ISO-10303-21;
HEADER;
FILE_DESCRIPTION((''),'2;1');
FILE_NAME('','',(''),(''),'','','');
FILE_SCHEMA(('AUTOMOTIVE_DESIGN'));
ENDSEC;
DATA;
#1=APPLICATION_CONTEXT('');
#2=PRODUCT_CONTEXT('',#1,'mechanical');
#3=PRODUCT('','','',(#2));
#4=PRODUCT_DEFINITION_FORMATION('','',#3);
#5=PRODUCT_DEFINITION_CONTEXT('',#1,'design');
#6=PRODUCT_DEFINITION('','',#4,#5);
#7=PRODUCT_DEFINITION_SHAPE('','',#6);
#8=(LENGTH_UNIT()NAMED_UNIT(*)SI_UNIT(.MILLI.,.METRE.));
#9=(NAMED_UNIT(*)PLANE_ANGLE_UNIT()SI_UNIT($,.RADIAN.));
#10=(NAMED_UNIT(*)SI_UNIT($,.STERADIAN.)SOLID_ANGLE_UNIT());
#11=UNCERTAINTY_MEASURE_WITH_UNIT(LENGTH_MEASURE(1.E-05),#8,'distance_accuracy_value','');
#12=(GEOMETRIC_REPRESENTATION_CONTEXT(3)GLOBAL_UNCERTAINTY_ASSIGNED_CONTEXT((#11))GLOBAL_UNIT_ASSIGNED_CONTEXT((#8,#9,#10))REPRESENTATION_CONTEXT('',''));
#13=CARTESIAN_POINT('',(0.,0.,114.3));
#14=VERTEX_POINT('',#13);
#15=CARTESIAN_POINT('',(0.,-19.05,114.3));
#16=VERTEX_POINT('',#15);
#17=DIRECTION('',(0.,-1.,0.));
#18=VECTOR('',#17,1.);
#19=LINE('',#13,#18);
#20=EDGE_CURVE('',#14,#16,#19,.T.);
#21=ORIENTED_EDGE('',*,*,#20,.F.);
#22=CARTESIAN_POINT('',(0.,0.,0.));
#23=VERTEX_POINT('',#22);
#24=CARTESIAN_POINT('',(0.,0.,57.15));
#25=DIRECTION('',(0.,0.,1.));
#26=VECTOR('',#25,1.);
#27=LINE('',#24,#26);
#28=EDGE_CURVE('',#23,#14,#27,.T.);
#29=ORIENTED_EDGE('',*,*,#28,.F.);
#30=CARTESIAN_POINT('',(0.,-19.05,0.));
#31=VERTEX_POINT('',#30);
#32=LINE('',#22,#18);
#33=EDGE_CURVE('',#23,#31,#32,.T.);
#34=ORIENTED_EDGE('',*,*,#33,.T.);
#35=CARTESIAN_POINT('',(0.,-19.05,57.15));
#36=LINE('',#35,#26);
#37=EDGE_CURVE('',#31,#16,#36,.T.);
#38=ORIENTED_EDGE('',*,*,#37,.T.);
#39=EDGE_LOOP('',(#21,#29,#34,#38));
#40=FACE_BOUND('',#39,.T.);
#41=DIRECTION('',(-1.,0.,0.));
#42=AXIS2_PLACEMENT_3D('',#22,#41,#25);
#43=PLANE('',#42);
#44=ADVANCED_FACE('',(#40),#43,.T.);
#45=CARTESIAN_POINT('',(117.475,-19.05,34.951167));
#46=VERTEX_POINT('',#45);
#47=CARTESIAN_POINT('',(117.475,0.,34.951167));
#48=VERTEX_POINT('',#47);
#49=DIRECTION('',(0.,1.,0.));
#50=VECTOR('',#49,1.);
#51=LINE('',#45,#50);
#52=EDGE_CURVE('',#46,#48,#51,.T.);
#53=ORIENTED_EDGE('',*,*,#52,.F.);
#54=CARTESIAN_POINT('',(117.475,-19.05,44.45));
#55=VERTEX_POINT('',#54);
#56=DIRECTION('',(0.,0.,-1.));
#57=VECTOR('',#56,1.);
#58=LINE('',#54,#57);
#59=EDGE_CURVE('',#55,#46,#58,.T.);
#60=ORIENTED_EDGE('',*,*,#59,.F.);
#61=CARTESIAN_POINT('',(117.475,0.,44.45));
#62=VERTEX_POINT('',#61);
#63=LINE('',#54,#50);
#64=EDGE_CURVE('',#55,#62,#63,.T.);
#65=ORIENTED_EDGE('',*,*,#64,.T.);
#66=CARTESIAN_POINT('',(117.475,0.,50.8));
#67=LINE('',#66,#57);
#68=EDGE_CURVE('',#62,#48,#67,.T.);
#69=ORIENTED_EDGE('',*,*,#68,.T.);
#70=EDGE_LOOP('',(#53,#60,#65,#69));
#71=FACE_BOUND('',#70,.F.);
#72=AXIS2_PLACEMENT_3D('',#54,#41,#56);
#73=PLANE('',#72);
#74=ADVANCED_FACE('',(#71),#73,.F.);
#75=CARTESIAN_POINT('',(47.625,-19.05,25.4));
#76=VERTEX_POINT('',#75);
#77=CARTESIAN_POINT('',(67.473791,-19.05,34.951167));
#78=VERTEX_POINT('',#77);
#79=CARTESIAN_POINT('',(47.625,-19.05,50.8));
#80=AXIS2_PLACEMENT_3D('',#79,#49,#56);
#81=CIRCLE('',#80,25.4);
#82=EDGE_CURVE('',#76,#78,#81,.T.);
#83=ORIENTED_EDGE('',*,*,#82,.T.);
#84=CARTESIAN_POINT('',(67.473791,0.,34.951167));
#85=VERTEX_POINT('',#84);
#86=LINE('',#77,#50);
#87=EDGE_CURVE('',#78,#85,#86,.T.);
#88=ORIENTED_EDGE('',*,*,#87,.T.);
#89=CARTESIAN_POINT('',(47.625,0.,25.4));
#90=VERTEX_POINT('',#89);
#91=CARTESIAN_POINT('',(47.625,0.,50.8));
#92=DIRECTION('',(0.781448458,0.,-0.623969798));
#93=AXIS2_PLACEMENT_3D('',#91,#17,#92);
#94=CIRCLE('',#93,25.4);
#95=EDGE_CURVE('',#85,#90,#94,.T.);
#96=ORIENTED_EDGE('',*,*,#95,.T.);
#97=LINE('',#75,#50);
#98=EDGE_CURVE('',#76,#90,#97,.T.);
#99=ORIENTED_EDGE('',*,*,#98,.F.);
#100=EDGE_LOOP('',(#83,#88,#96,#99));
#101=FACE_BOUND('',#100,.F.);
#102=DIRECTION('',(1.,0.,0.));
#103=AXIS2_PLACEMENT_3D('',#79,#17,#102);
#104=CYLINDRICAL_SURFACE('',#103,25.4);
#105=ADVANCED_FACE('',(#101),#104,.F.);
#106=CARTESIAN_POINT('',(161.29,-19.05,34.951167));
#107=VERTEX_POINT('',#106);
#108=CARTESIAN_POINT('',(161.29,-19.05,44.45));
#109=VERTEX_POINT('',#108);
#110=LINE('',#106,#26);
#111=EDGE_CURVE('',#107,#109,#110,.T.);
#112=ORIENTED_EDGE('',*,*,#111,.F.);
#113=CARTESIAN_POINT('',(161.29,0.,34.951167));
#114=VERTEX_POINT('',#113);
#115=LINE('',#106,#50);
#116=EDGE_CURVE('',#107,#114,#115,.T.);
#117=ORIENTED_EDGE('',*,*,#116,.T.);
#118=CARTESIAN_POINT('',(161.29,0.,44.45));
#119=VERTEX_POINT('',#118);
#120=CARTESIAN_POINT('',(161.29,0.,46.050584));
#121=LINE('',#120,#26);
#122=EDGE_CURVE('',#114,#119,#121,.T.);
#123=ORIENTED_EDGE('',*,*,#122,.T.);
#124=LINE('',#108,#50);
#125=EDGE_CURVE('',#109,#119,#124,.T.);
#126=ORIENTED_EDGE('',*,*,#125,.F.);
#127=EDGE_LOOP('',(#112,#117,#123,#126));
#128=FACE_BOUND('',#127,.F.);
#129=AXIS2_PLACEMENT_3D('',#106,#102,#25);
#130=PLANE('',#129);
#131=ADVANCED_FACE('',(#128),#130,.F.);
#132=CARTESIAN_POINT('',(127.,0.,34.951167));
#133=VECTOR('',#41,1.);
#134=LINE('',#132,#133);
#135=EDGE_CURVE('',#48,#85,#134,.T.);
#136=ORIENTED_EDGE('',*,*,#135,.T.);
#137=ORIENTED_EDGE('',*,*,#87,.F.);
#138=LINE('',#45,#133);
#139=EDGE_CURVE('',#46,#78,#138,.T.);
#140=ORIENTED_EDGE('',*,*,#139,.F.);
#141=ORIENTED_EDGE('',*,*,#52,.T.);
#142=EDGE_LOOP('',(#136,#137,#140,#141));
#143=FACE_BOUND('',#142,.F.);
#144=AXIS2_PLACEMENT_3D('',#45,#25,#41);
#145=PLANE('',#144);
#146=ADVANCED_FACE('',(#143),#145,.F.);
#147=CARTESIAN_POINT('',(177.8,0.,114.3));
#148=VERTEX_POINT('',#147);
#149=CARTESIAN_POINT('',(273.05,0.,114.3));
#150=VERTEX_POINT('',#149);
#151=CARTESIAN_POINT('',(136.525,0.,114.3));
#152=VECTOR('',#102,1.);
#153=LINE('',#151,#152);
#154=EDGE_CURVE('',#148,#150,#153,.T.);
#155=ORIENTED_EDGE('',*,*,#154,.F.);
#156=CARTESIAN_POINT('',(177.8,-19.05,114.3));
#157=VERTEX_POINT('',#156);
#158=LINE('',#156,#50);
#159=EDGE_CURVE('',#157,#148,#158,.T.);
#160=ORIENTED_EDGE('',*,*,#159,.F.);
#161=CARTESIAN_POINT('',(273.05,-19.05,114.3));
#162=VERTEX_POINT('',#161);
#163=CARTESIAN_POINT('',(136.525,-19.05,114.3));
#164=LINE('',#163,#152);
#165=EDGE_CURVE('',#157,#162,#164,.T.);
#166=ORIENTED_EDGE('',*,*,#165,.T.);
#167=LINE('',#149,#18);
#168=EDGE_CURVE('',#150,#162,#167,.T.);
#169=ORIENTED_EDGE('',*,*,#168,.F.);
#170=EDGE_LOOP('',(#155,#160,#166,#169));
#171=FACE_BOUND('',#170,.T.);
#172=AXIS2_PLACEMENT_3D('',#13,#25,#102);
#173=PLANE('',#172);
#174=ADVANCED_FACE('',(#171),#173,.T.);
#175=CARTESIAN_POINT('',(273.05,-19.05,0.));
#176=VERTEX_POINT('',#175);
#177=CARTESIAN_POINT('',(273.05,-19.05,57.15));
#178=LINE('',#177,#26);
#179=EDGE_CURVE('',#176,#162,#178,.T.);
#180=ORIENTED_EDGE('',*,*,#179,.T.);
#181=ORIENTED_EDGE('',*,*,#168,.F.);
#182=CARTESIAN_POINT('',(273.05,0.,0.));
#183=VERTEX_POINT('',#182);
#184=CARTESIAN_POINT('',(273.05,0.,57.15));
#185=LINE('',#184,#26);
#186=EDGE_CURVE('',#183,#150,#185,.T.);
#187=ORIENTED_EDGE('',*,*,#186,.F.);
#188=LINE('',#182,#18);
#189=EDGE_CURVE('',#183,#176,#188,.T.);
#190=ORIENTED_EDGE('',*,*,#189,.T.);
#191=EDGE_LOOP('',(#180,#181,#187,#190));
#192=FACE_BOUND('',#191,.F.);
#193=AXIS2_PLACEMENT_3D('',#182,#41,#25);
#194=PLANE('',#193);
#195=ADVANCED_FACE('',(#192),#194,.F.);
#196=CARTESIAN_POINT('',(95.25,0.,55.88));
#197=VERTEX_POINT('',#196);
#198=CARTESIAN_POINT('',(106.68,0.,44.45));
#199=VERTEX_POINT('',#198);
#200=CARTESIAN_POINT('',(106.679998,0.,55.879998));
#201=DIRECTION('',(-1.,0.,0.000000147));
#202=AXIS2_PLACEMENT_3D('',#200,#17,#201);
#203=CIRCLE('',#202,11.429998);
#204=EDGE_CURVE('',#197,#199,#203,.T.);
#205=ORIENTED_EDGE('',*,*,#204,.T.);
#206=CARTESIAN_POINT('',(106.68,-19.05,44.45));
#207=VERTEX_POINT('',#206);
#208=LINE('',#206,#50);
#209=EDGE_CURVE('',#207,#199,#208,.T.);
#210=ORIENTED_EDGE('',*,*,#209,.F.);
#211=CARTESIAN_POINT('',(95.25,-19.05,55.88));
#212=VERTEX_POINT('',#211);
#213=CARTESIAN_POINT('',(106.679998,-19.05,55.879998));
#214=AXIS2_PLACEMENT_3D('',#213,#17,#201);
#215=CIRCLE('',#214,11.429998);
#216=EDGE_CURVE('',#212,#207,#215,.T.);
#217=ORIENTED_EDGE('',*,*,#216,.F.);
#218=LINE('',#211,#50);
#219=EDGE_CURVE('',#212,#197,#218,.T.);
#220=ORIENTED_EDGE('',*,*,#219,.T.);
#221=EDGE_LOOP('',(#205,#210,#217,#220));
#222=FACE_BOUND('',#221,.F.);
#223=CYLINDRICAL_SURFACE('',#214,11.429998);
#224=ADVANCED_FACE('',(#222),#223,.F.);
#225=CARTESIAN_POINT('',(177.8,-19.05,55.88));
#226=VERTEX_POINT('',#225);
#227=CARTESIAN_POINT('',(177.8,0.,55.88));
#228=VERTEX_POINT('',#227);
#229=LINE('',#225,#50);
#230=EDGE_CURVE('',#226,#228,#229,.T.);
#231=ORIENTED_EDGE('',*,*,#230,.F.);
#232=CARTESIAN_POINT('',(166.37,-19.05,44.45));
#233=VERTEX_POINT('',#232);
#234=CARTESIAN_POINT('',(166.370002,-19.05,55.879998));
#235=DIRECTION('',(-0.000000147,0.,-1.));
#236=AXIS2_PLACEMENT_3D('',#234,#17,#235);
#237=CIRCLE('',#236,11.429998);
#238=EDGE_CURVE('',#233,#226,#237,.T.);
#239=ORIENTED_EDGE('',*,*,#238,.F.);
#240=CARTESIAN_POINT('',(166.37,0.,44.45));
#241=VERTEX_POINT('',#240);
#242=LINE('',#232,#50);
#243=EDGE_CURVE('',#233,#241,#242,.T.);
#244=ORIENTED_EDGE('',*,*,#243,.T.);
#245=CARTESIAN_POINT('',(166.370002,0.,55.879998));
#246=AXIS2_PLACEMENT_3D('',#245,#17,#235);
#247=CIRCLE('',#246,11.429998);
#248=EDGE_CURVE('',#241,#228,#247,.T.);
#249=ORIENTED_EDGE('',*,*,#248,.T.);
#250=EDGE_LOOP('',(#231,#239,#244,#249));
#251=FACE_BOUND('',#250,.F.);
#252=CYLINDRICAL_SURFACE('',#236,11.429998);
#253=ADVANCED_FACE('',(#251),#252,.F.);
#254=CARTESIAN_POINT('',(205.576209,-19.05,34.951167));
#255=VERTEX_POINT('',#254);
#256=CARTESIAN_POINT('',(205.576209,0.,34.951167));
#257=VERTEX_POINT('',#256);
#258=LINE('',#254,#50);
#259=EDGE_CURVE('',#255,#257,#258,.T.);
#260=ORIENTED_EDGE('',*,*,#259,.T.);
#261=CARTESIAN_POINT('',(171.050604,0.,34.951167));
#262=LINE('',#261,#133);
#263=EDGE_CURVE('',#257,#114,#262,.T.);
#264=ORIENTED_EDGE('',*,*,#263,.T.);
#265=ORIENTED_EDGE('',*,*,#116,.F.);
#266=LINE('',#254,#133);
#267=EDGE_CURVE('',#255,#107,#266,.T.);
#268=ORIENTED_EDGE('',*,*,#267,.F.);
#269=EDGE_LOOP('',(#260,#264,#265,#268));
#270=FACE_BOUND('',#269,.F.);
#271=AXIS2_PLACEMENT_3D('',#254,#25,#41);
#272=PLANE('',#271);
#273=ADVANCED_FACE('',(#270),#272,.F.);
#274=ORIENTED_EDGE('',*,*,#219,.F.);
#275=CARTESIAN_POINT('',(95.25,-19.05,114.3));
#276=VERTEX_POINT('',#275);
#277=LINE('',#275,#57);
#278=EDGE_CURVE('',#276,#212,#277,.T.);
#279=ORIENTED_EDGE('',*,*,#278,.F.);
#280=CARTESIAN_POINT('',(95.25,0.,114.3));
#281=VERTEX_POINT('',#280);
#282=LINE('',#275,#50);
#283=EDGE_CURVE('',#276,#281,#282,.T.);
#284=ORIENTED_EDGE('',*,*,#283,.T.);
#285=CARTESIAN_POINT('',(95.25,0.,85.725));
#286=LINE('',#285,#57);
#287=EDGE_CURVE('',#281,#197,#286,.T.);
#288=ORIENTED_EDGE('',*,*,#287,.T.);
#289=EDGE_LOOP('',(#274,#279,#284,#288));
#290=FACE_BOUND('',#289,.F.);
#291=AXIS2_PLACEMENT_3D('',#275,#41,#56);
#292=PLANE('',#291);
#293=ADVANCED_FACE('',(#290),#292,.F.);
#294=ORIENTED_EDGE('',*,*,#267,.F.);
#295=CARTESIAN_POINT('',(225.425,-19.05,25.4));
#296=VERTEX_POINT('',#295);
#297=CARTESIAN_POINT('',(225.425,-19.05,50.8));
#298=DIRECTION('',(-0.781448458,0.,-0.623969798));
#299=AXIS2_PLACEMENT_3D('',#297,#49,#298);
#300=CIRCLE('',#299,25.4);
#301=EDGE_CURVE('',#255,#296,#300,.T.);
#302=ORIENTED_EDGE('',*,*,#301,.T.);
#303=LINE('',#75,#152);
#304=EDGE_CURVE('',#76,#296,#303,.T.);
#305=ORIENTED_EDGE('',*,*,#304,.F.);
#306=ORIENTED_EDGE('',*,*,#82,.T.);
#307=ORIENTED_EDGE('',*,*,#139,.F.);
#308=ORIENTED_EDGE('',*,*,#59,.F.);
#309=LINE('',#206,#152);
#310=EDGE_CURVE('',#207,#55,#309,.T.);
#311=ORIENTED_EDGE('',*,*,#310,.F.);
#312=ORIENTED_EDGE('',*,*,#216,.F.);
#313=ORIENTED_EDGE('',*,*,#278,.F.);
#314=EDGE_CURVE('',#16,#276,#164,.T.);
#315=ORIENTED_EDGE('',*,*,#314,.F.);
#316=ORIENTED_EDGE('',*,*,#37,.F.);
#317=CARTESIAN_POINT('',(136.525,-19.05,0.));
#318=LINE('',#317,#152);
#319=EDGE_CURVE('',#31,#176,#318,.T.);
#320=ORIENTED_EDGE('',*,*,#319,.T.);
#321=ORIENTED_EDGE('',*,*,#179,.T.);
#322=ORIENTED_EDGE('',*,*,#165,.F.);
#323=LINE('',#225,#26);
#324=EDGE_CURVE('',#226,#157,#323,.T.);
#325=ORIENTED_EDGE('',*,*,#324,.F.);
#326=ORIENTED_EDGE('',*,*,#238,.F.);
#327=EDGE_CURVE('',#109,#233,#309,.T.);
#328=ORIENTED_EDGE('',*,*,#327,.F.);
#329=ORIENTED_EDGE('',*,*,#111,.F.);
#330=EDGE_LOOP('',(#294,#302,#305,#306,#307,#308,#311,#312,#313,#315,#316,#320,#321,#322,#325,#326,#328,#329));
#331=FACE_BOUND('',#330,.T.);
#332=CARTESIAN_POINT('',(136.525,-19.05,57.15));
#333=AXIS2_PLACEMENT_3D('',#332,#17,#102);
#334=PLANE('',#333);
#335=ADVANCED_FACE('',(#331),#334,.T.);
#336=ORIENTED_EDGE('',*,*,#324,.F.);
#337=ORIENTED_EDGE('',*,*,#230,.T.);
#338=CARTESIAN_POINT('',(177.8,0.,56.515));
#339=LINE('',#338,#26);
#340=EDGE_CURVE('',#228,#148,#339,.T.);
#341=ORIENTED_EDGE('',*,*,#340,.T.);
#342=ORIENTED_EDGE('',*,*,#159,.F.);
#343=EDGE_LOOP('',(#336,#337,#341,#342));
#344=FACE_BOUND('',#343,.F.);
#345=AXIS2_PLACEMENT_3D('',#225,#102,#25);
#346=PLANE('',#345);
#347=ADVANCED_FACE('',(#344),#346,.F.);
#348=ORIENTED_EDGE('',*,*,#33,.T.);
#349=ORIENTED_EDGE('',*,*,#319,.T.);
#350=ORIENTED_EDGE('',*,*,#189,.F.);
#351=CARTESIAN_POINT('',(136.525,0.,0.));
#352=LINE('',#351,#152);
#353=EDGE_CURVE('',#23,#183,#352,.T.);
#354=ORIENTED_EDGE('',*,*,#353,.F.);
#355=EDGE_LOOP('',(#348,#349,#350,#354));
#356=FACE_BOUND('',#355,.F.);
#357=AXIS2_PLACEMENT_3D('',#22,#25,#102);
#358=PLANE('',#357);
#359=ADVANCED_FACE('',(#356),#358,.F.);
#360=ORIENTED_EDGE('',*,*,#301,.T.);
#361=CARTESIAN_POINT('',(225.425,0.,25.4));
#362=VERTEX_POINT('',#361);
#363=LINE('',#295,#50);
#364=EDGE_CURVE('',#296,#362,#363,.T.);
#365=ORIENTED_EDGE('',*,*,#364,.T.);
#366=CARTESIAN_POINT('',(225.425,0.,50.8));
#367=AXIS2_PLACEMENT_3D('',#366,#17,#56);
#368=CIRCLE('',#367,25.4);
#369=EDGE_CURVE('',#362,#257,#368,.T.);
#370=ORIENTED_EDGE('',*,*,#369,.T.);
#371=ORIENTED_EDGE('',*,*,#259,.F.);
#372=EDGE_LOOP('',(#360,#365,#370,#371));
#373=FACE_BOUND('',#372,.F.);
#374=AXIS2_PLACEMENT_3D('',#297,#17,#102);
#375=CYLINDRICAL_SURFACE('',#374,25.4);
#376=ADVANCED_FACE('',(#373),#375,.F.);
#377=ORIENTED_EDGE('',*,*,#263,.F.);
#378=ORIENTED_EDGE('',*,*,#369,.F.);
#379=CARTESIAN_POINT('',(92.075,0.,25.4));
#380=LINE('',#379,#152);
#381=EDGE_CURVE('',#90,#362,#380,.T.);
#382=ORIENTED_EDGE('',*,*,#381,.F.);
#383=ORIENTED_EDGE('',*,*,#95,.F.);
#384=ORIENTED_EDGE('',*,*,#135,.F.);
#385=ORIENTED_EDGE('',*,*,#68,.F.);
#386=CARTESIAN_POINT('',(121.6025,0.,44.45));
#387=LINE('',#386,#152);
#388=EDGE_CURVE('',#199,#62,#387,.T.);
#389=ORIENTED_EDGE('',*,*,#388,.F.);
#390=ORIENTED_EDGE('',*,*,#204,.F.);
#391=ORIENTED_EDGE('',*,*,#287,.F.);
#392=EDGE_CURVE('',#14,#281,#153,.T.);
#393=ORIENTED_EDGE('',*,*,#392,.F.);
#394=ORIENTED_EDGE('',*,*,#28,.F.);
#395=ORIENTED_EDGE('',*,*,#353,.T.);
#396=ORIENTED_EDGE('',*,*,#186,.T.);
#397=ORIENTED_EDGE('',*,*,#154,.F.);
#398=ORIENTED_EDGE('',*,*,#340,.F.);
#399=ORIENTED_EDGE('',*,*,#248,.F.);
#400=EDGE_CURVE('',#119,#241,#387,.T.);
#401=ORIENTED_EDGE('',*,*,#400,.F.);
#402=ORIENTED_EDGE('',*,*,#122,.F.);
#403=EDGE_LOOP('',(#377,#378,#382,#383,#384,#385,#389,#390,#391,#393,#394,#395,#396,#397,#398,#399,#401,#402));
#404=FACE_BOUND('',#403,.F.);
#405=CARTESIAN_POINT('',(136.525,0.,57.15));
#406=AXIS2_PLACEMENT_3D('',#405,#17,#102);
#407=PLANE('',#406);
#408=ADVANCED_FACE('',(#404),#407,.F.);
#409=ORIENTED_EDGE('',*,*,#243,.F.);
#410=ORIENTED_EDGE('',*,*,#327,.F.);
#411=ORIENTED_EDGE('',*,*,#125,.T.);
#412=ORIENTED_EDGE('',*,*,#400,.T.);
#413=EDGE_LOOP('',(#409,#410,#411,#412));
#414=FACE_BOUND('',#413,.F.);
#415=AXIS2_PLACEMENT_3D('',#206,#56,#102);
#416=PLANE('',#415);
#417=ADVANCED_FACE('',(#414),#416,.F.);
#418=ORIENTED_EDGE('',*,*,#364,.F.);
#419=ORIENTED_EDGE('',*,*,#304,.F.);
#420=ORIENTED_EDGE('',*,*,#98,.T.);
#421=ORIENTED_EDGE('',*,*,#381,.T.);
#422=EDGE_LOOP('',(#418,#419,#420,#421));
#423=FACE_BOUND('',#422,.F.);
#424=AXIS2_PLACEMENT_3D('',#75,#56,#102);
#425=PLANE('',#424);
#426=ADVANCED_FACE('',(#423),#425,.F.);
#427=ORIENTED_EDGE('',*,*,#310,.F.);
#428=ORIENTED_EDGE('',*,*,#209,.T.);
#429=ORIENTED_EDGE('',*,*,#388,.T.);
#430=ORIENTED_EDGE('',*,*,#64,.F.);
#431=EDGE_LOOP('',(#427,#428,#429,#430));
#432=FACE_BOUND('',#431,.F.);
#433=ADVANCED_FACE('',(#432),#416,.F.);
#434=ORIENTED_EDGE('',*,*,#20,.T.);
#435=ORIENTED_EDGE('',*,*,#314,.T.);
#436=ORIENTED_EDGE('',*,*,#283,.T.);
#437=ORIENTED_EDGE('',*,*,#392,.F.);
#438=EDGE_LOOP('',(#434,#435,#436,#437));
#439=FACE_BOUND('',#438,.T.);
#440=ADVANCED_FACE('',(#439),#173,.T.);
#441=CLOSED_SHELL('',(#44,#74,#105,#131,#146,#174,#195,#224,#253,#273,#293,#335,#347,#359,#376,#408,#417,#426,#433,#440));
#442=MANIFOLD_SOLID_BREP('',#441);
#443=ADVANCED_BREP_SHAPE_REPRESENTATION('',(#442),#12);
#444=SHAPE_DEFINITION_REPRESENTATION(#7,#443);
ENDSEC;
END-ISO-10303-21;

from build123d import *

# Parameters (mm, degrees)
F0_W     = 273.05
F0_H     = 114.3
F1_DEPTH = 19.05
F2_R     = 25.4
F3_DEPTH = 25.4
F5_DEPTH = 25.4
F7_DEPTH = 25.4


with BuildPart() as f1:
    # F0 (on Front) → F1 (new body)
    with BuildSketch(Plane.XZ):
        with Locations((136.525, 57.15)):
            Rectangle(F0_W, F0_H)
    extrude(amount=F1_DEPTH)

    # F2 (on face) → F3 (cut)
    with BuildSketch(Plane.XZ.offset(19.05)):
        with Locations((225.425, 50.8)):
            Circle(F2_R)
        with Locations((47.625, 50.8)):
            Circle(F2_R)
    extrude(amount=-F3_DEPTH, mode=Mode.SUBTRACT)

    # F4 (on face) → F5 (cut)
    with BuildSketch(Plane.XZ.offset(19.05)):
        with BuildLine():
            Line((177.8, 114.3), (95.25, 114.3))
            Line((95.25, 114.3), (95.25, 55.88))
            ThreePointArc((95.25, 55.88), (98.597769, 47.797769), (106.68, 44.45))
            Line((106.68, 44.45), (166.37, 44.45))
            ThreePointArc((166.37, 44.45), (174.452231, 47.797769), (177.8, 55.88))
            Line((177.8, 55.88), (177.8, 114.3))
        make_face()
    extrude(amount=-F5_DEPTH, mode=Mode.SUBTRACT)

    # F6 (on face) → F7 (cut)
    with BuildSketch(Plane.XZ.offset(19.05)):
        Polygon((117.475, 34.951167), (67.473791, 34.951167), (47.625, 25.4), (225.425, 25.4), (205.576209, 34.951167), (166.37, 34.951167), (161.29, 34.951167), (161.29, 44.45), (117.475, 44.45), align=None)
    extrude(amount=-F7_DEPTH, mode=Mode.SUBTRACT)


solid = f1.part
